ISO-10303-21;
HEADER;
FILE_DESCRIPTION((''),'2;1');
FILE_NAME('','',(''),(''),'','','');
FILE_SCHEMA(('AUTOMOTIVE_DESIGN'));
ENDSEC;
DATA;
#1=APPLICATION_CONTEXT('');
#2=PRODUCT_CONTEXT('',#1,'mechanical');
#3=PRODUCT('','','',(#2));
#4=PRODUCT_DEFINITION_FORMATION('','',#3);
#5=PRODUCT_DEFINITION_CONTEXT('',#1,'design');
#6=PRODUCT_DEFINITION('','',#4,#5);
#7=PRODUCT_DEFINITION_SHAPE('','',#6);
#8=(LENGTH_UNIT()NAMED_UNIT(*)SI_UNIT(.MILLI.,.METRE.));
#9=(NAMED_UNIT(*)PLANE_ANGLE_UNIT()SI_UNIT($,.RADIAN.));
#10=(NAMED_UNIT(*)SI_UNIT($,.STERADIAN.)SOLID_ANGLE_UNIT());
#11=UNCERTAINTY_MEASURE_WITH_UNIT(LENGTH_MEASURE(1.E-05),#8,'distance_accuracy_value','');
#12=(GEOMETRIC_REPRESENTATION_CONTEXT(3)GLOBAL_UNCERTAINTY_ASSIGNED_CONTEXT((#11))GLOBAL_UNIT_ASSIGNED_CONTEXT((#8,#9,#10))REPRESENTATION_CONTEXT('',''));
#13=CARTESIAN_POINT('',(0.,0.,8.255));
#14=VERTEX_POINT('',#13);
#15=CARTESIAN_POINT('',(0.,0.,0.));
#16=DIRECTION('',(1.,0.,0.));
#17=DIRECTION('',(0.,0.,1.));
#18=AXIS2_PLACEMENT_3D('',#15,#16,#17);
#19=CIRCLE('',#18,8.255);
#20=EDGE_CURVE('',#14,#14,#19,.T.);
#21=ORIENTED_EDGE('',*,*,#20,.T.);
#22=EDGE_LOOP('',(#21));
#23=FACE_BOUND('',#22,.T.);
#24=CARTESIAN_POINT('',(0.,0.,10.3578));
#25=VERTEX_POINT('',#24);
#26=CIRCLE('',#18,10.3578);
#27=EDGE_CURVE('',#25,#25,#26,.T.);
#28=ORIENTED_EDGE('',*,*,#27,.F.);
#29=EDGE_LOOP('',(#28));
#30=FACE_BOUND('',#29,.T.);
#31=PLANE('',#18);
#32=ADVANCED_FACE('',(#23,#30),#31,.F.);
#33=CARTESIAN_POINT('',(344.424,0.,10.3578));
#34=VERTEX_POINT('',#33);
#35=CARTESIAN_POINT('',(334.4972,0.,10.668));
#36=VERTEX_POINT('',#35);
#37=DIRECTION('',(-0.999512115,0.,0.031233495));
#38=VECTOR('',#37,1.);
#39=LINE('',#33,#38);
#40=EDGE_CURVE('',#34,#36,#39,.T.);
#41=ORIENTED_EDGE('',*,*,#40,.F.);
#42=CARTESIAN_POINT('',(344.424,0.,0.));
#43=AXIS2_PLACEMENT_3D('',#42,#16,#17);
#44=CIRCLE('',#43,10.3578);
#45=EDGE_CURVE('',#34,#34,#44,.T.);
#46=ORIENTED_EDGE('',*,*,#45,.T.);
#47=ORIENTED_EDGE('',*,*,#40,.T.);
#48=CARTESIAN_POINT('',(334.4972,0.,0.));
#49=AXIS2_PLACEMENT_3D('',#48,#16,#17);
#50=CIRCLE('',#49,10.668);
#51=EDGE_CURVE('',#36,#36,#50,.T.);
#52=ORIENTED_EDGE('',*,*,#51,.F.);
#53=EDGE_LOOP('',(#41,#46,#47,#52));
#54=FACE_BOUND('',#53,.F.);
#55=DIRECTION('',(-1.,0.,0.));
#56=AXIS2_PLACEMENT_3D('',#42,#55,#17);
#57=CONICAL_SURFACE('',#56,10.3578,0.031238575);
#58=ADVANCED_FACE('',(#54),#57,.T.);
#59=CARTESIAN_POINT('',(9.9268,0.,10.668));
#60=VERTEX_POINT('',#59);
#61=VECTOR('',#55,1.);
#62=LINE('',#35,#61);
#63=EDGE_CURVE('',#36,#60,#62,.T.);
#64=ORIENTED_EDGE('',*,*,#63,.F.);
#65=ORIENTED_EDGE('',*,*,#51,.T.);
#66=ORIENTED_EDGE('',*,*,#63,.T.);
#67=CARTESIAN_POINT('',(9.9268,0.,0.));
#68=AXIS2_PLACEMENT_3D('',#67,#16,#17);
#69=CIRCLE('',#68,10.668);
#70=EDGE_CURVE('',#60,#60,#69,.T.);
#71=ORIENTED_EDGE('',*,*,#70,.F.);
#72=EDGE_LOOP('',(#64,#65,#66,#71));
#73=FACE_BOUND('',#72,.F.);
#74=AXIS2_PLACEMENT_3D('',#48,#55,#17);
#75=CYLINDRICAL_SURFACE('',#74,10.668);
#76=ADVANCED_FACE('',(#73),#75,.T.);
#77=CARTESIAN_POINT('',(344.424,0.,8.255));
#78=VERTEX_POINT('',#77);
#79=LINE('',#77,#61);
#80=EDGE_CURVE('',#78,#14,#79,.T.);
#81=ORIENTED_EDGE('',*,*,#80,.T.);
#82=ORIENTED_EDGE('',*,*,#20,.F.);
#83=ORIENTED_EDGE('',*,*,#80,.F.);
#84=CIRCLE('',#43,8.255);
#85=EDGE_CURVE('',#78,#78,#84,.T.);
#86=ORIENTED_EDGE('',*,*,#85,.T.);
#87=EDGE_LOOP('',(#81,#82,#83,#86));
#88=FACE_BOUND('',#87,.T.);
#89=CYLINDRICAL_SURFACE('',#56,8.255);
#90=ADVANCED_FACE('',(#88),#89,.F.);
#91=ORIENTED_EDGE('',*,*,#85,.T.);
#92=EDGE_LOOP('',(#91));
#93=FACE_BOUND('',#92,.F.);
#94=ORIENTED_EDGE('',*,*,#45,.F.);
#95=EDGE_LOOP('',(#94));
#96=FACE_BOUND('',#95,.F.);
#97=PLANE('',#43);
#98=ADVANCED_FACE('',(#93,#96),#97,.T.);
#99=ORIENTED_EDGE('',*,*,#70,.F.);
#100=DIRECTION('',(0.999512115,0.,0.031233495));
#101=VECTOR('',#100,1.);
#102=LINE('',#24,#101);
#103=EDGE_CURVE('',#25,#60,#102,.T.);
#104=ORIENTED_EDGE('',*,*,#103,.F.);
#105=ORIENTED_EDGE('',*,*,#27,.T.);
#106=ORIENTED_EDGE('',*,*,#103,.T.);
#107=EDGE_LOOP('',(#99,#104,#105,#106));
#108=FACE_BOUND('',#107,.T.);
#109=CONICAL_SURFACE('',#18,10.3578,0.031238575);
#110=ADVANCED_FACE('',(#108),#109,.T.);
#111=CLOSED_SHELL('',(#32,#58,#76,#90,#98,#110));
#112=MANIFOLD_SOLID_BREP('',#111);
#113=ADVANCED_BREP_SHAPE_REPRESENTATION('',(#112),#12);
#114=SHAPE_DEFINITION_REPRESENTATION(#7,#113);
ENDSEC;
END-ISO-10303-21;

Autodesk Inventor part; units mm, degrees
ref_plane "YZ Plane" through (0, 0, 0) normal (1, 0, 0) x (0, 1, 0)
ref_plane "XZ Plane" through (0, 0, 0) normal (0, 1, 0) x (-1, 0, 0)
ref_plane "XY Plane" through (0, 0, 0) normal (0, 0, 1) x (1, 0, 0)
sketch "Sketch1" plane through (0, 0, 0) normal (0, 1, 0) x (-1, 0, 0)
  line L0 (0, 0) -> (-344.424, 0)
  line L1 (-344.424, 0) -> (-344.424, 8.255) construction
  line L2 (-344.424, 8.255) -> (-344.424, 10.3578)
  line L3 (-344.424, 10.3578) -> (-334.4972, 10.668)
  line L4 (-334.4972, 10.668) -> (-9.9268, 10.668)
  line L5 (-172.212, 0) -> (-172.212, 10.668) construction
  line L6 (-344.424, 8.255) -> (0, 8.255)
  line L7 (0, 0) -> (0, 8.255) construction
  line L8 (0, 8.255) -> (0, 10.3578)
  line L9 (0, 10.3578) -> (-9.9268, 10.668)
  line L10 (-330.868, 10.7814) -> (-330.868, 0) construction
  line L11 (-13.556, 10.7814) -> (-13.556, 0) construction
  line L12 (-334.4972, 10.668) -> (-330.868, 10.7814) construction
  line L13 (-334.4972, 10.668) -> (-334.4972, 0) construction
  line L14 (-9.9268, 10.668) -> (-13.556, 10.7814) construction
  line L15 (-9.9268, 10.668) -> (-9.9268, 0) construction
  dimension "d0" = 21.336
  dimension "d1" = 1.79
  dimension "d2" = 16.51
  dimension "d3" = 344.424
  dimension "d4" = 13.556
  dimension "d5" = 21.5628
revolve "Revolution1" add sketch "Sketch1" angle 360 about axis through (0, 0, 0) along (1, 0, 0)
thread "Thread1" size "1/2" designation "1/2 - 14 NPT" standard "NPT" full length
thread "Thread2" size "1/2" designation "1/2 - 14 NPT" standard "NPT" full length
equation "\"d0\" = OD"
equation "\"d2\" = ID"
equation "\"d3\" = L"
equation "\"d4\" = L2"
equation "\"d5\" = D2"
equation "\"OD\" = 21.336"
equation "\"t\" = 2.413"
equation "\"L\" = PL"
equation "\"L4\" = 19.8501"
equation "\"ID\" = 16.51"
equation "\"PL\" = 344.424"
equation "\"D2\" = 21.56282"
equation "\"L2\" = 13.55598"
equation "\"Size_Designation\" = 1.2345"
equation "\"PLmin\" = 2 * L2"
properties material "Steel, Wrought"
